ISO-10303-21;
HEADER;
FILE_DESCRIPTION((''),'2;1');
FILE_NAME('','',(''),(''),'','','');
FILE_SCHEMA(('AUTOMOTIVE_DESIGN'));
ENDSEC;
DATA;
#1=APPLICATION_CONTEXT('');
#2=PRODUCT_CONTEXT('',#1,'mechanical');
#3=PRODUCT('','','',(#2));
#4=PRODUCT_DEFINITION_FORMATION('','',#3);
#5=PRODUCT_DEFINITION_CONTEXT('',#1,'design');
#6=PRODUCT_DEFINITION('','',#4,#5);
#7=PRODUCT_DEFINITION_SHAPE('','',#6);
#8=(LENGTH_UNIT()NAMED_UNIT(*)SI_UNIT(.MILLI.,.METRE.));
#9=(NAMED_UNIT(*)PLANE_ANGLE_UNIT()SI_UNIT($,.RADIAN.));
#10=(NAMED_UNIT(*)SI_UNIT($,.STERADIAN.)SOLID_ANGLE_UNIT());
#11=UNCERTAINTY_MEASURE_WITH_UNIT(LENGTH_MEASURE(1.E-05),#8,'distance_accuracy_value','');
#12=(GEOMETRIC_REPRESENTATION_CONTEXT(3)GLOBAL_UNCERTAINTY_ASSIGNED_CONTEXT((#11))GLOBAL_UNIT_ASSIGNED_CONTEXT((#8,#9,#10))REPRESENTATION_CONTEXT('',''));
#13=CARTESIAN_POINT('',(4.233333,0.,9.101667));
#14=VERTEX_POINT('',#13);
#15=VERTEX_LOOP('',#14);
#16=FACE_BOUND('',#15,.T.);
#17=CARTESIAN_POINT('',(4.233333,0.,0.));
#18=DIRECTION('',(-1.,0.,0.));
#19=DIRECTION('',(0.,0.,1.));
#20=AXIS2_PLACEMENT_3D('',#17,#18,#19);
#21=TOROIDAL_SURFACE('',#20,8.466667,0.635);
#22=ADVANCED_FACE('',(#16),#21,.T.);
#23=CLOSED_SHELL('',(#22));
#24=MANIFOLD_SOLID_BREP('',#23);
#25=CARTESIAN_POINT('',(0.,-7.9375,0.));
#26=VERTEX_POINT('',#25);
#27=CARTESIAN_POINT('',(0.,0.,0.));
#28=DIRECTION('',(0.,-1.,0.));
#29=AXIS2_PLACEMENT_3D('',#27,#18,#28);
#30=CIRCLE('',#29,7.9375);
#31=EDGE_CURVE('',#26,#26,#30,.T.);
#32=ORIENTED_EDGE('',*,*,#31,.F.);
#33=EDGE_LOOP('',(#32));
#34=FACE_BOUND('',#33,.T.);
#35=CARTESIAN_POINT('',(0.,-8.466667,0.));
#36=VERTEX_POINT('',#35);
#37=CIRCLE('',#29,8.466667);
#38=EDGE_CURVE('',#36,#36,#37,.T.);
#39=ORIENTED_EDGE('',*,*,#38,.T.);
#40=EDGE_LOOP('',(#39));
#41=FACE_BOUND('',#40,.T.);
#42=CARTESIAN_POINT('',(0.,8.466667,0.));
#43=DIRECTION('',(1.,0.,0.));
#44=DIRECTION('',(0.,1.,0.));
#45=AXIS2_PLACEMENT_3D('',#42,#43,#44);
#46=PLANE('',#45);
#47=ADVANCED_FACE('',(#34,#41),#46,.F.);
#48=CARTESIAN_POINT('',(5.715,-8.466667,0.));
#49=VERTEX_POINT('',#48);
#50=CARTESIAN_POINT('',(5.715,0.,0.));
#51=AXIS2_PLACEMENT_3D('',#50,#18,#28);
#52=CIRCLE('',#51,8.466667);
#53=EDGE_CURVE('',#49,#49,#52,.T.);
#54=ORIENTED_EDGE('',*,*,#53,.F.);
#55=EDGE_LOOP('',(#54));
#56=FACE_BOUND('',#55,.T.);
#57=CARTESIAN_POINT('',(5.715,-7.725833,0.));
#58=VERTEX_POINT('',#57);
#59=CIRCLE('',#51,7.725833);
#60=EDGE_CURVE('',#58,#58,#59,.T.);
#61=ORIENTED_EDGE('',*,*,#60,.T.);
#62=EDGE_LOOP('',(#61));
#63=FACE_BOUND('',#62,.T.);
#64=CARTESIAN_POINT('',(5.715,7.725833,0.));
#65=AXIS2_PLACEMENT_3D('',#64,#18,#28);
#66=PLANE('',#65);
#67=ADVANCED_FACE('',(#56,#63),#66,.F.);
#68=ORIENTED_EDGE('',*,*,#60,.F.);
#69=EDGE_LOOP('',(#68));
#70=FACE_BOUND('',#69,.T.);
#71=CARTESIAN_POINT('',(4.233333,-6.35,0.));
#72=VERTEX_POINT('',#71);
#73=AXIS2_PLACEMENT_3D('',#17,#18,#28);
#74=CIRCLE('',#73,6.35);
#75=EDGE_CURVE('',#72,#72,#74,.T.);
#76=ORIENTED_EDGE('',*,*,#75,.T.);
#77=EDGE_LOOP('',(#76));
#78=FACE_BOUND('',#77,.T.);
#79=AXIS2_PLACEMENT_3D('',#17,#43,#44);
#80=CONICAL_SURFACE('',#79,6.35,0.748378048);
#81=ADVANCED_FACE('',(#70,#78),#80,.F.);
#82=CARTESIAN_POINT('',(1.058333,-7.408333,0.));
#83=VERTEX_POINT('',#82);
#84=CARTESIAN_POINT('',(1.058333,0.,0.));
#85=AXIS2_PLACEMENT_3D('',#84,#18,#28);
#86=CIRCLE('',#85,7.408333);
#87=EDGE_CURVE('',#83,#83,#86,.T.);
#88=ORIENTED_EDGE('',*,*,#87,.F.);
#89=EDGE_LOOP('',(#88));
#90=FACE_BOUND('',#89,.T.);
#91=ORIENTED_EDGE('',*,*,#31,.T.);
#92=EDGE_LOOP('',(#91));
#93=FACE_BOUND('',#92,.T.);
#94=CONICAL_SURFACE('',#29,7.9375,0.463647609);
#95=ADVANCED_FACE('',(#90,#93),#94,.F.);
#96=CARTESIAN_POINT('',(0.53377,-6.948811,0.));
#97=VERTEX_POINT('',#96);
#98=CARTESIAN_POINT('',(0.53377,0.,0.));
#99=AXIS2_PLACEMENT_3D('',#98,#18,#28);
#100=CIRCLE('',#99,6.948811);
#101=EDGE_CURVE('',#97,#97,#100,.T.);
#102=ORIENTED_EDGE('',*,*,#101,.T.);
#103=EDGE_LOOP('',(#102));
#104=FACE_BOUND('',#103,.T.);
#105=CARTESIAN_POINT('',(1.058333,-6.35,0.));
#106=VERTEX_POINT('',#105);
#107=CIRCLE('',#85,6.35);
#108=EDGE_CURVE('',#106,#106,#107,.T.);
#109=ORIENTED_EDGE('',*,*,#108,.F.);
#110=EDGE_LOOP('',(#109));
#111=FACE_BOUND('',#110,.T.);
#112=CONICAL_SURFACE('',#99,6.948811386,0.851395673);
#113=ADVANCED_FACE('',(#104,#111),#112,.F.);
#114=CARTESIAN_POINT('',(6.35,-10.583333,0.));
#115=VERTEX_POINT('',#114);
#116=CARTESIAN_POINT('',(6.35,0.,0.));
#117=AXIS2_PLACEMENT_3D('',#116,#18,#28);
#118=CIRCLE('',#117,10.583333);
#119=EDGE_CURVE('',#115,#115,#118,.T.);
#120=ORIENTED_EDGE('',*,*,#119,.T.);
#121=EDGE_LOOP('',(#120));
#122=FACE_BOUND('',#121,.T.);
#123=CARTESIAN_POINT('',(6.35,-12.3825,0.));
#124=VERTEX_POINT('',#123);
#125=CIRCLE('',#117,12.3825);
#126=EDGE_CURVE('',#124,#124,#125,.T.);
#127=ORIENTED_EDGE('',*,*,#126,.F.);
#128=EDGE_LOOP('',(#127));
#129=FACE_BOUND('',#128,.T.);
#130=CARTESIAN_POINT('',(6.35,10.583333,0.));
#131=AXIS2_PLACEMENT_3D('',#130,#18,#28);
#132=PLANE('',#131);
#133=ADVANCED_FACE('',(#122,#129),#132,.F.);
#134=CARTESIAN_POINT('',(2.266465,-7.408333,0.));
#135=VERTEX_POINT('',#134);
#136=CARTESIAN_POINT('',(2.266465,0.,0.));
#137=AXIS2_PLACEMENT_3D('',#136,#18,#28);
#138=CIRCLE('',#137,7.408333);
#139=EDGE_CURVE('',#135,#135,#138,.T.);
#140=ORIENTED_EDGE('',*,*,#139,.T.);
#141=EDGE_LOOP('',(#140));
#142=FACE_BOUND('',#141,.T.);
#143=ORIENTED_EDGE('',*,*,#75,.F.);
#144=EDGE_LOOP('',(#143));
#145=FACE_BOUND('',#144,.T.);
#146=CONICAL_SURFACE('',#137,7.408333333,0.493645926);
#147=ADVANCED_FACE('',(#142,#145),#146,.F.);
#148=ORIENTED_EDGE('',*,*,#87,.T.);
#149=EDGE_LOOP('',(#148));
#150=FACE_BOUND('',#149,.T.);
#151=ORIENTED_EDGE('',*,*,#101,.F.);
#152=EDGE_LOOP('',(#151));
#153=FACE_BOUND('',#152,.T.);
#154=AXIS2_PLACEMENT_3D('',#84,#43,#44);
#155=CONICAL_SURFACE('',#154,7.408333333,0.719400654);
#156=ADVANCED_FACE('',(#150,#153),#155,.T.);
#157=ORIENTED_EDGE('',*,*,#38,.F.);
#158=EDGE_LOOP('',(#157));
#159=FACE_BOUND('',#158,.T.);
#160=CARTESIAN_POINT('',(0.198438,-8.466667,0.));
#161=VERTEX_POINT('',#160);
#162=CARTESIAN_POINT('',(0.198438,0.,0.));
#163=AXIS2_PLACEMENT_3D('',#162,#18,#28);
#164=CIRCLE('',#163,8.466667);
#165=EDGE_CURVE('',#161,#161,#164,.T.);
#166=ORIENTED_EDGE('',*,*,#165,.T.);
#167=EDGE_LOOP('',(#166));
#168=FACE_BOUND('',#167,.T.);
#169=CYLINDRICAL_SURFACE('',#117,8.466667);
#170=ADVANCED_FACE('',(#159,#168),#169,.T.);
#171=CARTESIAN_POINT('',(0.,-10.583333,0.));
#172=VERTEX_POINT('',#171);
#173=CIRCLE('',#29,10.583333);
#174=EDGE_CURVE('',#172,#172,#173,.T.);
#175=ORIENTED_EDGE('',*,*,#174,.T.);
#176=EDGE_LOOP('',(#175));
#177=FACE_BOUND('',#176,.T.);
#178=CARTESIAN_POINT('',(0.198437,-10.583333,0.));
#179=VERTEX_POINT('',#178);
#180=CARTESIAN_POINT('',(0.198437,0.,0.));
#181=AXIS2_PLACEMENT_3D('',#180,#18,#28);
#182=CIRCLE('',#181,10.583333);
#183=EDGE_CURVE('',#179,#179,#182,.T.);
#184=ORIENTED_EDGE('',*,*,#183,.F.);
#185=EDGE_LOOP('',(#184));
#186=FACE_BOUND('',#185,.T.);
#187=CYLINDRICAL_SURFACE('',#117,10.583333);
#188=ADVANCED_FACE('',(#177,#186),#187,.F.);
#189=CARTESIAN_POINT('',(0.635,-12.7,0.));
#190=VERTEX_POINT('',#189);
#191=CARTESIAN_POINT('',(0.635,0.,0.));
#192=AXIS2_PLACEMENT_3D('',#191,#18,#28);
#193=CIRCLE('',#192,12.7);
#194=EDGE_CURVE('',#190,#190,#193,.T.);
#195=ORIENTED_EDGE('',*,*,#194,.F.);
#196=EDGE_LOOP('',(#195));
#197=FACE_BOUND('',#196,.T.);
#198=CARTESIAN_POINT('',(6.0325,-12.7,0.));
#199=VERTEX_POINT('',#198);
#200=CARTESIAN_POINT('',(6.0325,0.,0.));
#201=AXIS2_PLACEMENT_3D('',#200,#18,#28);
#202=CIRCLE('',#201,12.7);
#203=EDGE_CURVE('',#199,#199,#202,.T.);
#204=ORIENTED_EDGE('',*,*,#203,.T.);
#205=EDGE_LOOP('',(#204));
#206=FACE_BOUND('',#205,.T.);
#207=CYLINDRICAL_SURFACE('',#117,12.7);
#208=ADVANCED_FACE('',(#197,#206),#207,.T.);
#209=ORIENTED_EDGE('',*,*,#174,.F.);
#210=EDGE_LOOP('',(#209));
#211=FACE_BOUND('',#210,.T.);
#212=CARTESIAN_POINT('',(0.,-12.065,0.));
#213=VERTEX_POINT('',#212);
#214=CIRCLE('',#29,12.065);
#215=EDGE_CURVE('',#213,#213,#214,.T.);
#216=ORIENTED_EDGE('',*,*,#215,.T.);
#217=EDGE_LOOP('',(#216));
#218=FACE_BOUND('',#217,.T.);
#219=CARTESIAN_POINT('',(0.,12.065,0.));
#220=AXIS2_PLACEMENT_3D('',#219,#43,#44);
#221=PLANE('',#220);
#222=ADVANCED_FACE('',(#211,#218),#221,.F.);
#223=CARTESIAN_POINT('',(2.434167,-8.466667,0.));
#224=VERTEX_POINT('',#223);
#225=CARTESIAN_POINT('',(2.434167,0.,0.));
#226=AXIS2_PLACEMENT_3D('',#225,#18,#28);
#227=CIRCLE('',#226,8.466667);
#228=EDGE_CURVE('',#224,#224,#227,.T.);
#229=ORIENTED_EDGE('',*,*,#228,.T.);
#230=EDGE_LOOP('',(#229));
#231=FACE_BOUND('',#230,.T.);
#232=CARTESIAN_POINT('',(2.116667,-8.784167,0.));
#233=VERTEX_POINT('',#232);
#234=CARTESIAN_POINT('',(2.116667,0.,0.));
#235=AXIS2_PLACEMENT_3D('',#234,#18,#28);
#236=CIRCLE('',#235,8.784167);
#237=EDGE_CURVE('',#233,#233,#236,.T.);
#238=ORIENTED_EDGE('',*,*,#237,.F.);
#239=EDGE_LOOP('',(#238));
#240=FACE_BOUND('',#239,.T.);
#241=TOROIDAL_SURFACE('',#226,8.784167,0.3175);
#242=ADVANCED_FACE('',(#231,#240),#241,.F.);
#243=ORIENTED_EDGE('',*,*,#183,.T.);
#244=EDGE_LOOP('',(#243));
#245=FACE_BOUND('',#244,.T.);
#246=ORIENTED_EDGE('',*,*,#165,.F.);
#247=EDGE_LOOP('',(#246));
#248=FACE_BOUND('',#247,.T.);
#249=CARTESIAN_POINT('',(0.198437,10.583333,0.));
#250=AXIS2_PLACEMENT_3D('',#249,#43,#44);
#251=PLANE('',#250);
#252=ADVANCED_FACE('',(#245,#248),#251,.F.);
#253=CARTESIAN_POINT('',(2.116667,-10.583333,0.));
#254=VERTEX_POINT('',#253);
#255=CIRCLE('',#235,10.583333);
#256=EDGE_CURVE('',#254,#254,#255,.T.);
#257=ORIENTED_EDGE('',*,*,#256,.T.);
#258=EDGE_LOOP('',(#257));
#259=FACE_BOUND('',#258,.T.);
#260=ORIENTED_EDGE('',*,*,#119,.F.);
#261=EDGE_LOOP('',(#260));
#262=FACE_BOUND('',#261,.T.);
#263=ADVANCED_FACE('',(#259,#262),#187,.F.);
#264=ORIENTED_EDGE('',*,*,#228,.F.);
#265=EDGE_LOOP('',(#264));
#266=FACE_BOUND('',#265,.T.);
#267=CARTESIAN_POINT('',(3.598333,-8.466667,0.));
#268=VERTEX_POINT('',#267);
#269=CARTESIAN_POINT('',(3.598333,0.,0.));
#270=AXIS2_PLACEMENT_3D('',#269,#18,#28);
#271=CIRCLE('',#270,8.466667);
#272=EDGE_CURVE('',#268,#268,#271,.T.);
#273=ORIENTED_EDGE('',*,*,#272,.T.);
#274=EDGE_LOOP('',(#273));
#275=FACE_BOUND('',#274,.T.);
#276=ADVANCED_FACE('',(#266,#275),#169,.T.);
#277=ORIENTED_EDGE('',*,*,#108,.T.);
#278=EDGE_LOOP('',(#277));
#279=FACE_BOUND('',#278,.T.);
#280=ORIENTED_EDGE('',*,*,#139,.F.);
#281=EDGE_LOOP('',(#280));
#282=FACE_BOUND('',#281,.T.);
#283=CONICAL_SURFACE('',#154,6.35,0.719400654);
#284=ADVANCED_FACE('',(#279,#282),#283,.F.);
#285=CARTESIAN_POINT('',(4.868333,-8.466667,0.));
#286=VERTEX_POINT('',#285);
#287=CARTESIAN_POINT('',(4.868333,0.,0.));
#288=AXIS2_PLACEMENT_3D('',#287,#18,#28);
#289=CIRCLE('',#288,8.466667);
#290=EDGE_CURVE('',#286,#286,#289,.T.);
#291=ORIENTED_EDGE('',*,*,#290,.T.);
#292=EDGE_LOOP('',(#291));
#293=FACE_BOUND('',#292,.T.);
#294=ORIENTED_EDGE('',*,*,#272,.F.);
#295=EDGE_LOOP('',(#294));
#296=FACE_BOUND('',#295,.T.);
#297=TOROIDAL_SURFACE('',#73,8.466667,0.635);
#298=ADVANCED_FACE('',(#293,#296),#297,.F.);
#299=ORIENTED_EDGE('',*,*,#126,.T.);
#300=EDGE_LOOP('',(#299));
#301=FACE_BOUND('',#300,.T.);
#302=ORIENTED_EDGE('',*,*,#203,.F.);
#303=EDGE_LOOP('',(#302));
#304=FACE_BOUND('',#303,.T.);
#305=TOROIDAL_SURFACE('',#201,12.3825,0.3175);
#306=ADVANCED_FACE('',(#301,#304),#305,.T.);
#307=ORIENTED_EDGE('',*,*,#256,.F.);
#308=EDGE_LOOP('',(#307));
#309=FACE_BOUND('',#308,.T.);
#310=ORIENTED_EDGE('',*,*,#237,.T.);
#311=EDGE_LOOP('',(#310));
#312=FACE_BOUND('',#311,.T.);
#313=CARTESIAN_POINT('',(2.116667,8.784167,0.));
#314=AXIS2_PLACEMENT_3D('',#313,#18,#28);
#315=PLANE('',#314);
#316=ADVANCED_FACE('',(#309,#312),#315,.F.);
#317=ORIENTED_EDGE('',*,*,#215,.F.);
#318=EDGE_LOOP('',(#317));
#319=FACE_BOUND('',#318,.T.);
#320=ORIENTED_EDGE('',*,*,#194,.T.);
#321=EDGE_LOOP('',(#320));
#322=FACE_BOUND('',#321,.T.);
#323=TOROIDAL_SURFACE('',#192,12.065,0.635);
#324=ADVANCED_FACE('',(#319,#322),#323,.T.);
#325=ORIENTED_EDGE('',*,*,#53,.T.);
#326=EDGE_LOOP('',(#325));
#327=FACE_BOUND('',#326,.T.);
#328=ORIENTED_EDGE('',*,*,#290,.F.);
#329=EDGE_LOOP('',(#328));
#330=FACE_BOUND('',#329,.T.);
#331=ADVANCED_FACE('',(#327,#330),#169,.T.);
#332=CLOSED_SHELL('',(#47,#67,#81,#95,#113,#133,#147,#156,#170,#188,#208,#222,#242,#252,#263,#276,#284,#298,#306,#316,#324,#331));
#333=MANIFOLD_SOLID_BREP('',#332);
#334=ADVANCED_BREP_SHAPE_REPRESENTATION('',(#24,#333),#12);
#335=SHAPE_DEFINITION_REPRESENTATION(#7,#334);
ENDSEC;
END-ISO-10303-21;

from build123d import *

# Parameters (mm, degrees)
SKETCH2_R = 0.635


with BuildPart() as part:
    # Sketch1 → Revolve1 (revolve)
    with BuildSketch(Plane.XY):
        with BuildLine():
            Line((0, 10.583333333), (0.1984375, 10.583333333))
            Line((0.1984375, 10.583333333), (0.1984375, 8.466666667))
            Line((0.1984375, 8.466666667), (0, 8.466666667))
            Line((0, 8.466666667), (0, 7.9375))
            Line((0, 7.9375), (1.058333333, 7.408333333))
            Line((1.058333333, 7.408333333), (0.53376973, 6.948811386))
            Line((0.53376973, 6.948811386), (1.058333333, 6.35))
            Line((1.058333333, 6.35), (2.266465286, 7.408333333))
            Line((2.266465286, 7.408333333), (4.233333333, 6.35))
            Line((4.233333333, 6.35), (5.715, 7.725833333))
            Line((5.715, 7.725833333), (5.715, 8.466666667))
            Line((5.715, 8.466666667), (4.868333333, 8.466666667))
            ThreePointArc((4.868333333, 8.466666667), (4.233333333, 7.831666667), (3.598333333, 8.466666667))
            Line((3.598333333, 8.466666667), (2.434166667, 8.466666667))
            ThreePointArc((2.434166667, 8.466666667), (2.209660264, 8.559660264), (2.116666667, 8.784166667))
            Line((2.116666667, 8.784166667), (2.116666667, 10.583333333))
            Line((2.116666667, 10.583333333), (6.35, 10.583333333))
            Line((6.35, 10.583333333), (6.35, 12.3825))
            ThreePointArc((6.35, 12.3825), (6.257006403, 12.607006403), (6.0325, 12.7))
            Line((6.0325, 12.7), (0.635, 12.7))
            ThreePointArc((0.635, 12.7), (0.185987194, 12.514012806), (0, 12.065))
            Line((0, 12.065), (0, 10.583333333))
        make_face()
    revolve(axis=Axis((6.35, 0, 0), (-1, 0, 0)))


with BuildPart() as body_2:
    # Sketch2 → Revolve2 (revolve)
    with BuildSketch(Plane.XY):
        with Locations((4.233333333, 8.466666667)):
            Circle(SKETCH2_R)
    revolve(axis=Axis((0, 0, 0), (1, 0, 0)))


solid = Compound([part.part, body_2.part])
